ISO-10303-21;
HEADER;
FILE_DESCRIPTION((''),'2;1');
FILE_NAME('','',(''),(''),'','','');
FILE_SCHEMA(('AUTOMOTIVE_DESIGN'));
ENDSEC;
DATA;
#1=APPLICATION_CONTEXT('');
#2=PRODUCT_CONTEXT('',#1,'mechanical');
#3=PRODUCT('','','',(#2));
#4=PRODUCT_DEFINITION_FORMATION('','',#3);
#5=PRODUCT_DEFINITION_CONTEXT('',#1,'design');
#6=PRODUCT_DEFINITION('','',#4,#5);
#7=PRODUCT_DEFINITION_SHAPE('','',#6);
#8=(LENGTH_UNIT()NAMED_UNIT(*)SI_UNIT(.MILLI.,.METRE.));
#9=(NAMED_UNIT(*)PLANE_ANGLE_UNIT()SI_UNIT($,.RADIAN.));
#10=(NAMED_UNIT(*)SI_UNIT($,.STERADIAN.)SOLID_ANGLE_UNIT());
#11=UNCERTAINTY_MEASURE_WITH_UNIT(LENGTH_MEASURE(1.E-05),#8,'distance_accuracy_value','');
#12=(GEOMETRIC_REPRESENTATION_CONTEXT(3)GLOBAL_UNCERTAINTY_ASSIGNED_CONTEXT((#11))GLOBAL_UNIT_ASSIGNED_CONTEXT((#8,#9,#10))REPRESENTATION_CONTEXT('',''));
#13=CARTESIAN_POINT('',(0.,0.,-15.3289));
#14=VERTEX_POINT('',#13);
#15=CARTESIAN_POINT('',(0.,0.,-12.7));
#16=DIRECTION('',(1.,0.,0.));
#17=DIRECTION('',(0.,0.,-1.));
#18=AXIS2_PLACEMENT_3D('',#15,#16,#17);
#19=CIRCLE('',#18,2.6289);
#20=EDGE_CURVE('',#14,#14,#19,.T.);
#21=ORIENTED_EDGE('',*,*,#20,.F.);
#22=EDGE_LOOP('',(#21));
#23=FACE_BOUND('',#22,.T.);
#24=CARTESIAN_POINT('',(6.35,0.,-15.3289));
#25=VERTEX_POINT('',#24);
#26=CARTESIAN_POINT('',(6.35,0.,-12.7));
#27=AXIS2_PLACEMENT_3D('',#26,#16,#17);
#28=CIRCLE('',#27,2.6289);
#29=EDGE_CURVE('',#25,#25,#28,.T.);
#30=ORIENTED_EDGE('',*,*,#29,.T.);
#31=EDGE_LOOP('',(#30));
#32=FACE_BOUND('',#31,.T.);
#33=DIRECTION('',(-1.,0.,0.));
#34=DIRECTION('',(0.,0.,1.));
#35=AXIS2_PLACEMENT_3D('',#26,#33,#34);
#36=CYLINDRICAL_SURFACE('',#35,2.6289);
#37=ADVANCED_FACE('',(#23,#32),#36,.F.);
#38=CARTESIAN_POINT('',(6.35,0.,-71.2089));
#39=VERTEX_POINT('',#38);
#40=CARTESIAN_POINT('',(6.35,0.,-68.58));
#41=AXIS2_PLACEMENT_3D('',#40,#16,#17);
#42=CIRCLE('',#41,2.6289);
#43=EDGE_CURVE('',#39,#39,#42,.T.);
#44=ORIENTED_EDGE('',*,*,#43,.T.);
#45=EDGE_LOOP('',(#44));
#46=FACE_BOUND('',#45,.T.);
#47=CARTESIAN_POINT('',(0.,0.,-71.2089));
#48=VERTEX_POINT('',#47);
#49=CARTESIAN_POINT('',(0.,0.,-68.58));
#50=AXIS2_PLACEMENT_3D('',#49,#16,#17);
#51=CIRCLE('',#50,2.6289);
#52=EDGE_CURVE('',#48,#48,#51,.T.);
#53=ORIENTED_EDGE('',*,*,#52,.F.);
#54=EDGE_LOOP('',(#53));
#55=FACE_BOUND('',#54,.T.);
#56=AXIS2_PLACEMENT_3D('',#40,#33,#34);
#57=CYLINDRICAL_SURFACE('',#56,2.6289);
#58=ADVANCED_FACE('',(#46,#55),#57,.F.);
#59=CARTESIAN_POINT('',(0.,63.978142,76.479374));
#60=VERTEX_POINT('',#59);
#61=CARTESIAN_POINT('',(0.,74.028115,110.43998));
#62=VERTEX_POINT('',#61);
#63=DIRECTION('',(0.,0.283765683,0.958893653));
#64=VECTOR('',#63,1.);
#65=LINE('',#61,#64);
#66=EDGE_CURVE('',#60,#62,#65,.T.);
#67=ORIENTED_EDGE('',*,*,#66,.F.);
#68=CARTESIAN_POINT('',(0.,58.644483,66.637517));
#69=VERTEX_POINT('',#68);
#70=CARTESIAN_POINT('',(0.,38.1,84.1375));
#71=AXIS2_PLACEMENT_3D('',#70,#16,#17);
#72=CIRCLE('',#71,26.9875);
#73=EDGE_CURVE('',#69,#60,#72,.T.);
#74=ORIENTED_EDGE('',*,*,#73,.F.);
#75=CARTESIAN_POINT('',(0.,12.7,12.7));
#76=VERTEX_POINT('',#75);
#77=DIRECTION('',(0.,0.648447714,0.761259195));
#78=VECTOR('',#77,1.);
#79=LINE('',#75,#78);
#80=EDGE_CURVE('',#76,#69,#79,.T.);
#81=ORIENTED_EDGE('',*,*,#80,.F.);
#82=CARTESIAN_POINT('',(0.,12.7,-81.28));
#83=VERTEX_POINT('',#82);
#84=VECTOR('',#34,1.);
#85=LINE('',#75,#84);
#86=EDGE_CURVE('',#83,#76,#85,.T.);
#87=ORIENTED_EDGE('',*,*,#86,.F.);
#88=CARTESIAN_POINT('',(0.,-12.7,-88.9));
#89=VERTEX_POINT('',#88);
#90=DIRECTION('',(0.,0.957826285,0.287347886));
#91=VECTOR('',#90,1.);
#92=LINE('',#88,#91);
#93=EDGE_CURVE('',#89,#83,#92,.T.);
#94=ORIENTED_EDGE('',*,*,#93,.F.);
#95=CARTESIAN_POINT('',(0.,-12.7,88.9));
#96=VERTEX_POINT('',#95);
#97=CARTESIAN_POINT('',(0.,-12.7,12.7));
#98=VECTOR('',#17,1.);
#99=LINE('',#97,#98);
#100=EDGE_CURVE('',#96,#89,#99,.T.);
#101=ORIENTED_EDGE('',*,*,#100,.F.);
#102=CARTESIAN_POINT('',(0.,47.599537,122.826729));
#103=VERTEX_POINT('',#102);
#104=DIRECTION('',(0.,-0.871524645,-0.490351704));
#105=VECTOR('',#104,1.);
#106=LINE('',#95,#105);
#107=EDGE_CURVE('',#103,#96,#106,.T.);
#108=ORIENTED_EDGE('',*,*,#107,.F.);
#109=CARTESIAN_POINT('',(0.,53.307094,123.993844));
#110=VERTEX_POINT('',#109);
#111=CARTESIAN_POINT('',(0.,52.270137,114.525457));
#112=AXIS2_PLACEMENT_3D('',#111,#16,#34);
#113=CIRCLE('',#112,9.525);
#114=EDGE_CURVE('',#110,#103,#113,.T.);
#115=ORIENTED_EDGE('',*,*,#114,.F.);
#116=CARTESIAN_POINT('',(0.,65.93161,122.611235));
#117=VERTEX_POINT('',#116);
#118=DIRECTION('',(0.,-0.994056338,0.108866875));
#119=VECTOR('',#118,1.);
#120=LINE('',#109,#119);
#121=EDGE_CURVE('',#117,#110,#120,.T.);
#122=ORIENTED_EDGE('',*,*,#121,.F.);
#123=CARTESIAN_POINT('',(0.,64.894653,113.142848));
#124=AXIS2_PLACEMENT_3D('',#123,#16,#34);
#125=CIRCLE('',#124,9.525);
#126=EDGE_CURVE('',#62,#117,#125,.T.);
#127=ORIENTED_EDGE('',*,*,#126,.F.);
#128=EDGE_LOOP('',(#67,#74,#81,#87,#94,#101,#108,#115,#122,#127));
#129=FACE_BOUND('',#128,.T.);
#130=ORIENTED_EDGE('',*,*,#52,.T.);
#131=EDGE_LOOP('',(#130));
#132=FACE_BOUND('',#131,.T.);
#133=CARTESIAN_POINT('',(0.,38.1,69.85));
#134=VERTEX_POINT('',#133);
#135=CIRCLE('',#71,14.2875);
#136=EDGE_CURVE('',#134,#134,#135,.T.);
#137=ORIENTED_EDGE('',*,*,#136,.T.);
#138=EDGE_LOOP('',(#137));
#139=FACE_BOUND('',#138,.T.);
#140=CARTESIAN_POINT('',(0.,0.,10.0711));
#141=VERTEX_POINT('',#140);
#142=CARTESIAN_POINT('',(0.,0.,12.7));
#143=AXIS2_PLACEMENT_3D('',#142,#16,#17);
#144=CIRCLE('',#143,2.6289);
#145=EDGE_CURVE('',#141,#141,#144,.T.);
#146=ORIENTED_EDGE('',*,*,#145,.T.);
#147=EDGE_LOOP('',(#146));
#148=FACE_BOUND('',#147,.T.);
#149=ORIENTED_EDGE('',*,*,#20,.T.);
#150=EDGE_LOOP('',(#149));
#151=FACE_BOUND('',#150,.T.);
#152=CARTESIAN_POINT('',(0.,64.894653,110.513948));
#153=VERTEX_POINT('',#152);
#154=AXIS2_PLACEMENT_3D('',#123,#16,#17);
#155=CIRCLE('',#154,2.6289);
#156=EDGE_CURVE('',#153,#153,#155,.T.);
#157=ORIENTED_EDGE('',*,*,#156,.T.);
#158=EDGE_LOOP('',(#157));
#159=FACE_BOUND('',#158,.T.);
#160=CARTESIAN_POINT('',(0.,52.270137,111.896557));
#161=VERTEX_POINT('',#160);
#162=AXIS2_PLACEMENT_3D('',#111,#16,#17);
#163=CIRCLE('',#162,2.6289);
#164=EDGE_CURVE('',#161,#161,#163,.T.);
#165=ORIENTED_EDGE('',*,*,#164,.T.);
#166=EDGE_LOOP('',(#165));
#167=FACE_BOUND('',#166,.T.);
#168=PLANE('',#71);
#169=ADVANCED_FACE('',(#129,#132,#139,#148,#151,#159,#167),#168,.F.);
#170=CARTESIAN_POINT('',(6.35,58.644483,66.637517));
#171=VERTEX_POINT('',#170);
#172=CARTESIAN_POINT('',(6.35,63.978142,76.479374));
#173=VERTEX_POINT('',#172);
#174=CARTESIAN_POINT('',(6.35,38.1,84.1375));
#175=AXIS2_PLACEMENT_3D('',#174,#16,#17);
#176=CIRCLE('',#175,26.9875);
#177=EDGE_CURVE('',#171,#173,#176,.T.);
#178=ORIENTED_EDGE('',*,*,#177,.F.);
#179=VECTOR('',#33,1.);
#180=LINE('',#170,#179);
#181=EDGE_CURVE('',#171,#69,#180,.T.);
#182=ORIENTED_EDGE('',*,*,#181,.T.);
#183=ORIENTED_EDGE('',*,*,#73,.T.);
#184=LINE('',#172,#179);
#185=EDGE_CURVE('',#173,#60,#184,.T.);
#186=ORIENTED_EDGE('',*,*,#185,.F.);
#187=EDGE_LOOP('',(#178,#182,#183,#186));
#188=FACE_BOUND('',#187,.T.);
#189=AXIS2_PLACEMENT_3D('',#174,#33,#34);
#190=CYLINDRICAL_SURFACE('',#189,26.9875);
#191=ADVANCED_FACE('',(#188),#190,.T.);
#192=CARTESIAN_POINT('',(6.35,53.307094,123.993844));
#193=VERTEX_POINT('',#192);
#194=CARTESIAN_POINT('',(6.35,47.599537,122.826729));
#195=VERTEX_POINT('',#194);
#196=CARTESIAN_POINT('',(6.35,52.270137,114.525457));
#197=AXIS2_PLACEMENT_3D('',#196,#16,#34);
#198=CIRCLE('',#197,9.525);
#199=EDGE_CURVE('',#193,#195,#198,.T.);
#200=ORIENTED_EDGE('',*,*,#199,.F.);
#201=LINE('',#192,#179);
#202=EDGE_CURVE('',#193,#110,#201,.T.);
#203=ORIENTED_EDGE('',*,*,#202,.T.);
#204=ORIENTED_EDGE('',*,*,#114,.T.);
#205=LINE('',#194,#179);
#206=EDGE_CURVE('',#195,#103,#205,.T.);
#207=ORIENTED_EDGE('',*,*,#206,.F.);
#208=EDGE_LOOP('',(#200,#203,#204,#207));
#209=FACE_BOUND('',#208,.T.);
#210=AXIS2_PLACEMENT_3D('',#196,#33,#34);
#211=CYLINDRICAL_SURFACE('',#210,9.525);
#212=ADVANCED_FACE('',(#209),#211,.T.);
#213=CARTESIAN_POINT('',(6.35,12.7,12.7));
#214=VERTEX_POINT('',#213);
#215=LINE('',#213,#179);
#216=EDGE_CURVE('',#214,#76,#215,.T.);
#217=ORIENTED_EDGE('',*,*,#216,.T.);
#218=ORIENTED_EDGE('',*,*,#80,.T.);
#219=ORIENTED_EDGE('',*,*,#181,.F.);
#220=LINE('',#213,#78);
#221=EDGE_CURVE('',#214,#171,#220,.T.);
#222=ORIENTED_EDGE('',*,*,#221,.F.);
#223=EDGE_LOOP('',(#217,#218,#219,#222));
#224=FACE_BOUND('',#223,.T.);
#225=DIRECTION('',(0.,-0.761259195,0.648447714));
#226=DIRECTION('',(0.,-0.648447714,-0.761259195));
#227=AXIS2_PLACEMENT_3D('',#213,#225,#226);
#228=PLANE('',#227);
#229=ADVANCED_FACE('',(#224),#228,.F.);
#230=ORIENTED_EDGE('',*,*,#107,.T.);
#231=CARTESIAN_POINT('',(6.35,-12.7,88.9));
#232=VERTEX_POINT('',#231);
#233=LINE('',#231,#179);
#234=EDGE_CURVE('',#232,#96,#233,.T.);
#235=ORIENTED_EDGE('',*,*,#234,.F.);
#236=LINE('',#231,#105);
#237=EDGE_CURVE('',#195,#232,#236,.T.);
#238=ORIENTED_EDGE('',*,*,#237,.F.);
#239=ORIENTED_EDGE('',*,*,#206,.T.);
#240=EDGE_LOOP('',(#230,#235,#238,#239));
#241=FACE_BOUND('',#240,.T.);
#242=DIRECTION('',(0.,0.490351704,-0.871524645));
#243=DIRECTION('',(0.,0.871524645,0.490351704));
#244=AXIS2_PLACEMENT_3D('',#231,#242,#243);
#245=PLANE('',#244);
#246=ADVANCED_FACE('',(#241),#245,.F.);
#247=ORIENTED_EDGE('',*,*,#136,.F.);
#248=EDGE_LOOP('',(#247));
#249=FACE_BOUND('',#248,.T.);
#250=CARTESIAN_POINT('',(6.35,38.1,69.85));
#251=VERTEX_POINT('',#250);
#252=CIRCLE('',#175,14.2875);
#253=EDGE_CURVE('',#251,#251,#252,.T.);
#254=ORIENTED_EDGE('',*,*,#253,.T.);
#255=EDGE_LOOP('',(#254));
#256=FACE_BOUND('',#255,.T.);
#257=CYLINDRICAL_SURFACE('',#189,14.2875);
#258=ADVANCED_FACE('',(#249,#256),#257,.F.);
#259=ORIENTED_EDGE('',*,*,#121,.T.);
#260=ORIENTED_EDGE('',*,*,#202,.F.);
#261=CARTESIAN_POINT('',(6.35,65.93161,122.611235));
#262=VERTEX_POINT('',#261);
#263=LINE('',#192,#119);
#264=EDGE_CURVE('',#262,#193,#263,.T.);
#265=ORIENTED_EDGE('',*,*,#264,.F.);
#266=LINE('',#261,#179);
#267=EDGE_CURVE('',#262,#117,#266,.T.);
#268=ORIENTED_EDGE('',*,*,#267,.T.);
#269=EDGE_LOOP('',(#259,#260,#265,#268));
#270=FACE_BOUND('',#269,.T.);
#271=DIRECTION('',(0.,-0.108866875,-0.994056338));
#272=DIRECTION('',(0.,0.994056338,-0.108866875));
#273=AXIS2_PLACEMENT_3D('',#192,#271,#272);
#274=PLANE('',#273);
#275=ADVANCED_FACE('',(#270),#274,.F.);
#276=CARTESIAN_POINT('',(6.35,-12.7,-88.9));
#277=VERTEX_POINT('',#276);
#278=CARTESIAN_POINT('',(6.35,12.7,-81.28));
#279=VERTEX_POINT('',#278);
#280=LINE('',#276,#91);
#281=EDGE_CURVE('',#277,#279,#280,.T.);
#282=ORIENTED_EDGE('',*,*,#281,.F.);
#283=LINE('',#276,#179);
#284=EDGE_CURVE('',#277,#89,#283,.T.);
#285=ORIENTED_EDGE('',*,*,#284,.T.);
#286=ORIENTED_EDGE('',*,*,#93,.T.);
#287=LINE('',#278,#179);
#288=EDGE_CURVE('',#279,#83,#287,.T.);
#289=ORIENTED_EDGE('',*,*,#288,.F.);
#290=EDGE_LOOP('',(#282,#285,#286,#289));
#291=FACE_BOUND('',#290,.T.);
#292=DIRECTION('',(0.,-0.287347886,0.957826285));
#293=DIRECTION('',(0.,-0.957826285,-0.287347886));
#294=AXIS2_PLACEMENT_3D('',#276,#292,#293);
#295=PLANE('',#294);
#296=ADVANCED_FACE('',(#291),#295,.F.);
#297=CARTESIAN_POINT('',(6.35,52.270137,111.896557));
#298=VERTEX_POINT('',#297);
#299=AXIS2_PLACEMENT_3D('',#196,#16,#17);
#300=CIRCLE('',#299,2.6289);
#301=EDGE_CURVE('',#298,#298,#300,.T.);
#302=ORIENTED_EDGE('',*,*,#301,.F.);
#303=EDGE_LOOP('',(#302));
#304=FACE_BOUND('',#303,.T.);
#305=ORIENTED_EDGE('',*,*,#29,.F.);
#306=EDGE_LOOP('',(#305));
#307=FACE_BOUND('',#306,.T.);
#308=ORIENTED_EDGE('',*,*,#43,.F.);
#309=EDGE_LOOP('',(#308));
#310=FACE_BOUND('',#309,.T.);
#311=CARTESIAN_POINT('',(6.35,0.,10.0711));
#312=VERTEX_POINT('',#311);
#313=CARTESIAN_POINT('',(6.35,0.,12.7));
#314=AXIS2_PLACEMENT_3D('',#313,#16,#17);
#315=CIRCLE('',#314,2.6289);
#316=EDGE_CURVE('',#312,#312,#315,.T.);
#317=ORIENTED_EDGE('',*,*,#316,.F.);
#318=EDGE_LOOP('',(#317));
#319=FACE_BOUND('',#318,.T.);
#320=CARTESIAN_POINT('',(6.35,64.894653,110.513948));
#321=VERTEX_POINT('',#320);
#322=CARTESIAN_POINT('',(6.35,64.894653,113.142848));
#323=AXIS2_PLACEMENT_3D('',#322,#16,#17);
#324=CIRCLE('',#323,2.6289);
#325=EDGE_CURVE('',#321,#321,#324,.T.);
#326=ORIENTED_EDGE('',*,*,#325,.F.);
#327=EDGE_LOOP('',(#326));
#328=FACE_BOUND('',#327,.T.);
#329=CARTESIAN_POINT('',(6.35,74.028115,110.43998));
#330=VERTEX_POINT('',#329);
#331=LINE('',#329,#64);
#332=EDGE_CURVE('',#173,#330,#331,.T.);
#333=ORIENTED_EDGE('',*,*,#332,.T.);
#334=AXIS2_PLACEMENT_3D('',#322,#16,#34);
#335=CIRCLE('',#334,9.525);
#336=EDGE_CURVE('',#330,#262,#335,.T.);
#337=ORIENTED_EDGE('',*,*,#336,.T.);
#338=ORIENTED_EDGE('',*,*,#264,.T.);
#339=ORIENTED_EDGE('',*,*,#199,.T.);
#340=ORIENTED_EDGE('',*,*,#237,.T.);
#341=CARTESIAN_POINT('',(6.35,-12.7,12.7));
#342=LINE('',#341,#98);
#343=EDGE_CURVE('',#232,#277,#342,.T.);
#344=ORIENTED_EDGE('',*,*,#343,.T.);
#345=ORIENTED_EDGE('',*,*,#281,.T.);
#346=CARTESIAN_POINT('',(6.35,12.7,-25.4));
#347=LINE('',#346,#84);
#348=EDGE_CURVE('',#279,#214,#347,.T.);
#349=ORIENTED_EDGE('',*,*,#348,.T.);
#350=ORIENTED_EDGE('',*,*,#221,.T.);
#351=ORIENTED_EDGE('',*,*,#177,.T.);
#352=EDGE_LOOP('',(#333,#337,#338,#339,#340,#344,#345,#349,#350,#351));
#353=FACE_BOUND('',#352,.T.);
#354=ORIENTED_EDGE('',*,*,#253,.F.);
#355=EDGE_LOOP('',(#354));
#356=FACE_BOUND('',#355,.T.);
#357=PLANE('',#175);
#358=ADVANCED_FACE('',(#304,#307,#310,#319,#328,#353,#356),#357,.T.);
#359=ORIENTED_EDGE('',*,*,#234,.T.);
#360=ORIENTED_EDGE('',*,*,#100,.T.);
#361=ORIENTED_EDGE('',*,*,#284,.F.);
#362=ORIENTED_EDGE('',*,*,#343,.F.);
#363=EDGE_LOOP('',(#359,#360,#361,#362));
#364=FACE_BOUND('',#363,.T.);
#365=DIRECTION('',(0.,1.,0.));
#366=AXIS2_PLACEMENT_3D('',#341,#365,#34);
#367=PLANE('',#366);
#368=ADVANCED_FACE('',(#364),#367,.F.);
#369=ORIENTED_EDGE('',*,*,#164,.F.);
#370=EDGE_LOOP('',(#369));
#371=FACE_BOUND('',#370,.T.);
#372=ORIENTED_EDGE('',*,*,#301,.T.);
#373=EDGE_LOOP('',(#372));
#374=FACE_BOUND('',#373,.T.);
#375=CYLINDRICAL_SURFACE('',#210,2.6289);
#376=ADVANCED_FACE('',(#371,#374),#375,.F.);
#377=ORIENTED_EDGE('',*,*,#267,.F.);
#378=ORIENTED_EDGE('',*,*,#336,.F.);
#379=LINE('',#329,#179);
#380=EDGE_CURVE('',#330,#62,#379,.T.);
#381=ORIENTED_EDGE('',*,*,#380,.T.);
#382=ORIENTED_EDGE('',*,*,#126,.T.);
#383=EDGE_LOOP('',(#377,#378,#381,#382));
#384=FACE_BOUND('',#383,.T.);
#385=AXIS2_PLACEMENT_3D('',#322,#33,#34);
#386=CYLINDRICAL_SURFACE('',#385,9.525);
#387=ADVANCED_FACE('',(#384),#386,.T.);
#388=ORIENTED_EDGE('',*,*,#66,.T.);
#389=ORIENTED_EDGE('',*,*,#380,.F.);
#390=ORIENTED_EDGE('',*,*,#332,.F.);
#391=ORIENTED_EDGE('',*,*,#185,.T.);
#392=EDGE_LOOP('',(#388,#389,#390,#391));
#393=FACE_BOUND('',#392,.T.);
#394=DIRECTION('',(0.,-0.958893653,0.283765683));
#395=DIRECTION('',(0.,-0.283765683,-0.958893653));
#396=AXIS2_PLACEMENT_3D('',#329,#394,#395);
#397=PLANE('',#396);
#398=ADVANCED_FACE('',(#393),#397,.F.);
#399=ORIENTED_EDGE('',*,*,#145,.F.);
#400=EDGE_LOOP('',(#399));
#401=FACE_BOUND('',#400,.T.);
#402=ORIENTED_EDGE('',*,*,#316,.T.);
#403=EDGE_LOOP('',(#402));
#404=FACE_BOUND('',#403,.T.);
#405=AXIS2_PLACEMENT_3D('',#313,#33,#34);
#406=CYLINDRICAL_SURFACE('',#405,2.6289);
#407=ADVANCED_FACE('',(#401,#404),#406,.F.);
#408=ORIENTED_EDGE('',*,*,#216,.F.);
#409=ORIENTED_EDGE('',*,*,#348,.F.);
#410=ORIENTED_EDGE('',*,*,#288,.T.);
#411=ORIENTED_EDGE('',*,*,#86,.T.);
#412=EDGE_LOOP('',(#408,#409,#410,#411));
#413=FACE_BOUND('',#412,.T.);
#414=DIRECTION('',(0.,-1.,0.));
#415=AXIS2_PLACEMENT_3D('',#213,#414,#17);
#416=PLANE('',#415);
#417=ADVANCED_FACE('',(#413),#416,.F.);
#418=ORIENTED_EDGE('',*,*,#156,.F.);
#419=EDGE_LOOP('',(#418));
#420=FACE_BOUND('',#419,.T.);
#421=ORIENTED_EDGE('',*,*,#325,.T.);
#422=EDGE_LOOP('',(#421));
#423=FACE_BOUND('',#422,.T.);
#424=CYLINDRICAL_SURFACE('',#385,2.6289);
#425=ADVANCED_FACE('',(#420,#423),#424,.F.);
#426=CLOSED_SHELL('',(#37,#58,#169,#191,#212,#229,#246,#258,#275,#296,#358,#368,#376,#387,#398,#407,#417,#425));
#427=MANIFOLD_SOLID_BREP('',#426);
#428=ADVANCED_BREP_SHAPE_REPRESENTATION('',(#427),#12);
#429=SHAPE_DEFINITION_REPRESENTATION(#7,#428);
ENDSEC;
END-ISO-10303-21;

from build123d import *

# Parameters (mm, degrees)
SKETCH1_R           = 14.2875
SKETCH1_R_2         = 2.6289
BOSS_EXTRUDE1_DEPTH = 6.35


with BuildPart() as part:
    # Sketch1 → Boss-Extrude1 (new body)
    with BuildSketch(Plane(origin=(0, 0, 0), x_dir=(0, 0, -1), z_dir=(1, 0, 0))):
        with BuildLine():
            Line((-12.7, -12.7), (-88.9, -12.7))
            Line((-88.9, -12.7), (-122.826729432, 47.599537172))
            ThreePointArc((-122.826729432, 47.599537172), (-123.857351192, 50.361897296), (-123.993843813, 53.307094137))
            Line((-123.993843813, 53.307094137), (-122.611234502, 65.931609632))
            ThreePointArc((-122.611234502, 65.931609632), (-118.418396066, 72.825240039), (-110.43997975, 74.028114691))
            Line((-110.43997975, 74.028114691), (-76.479373631, 63.978142452))
            ThreePointArc((-76.479373631, 63.978142452), (-71.278861085, 61.827211414), (-66.637517322, 58.644482532))
            Line((-66.637517322, 58.644482532), (-12.7, 12.7))
            Line((-12.7, 12.7), (25.4, 12.7))
            Line((25.4, 12.7), (81.28, 12.7))
            Line((81.28, 12.7), (88.9, -12.7))
            Line((88.9, -12.7), (25.4, -12.7))
            Line((25.4, -12.7), (-12.7, -12.7))
        make_face()
        with Locations((-84.1375, 38.1)):
            Circle(SKETCH1_R, mode=Mode.SUBTRACT)
        with Locations((-12.7, 0)):
            Circle(SKETCH1_R_2, mode=Mode.SUBTRACT)
        with Locations((12.7, 0)):
            Circle(SKETCH1_R_2, mode=Mode.SUBTRACT)
        with Locations((68.58, 0)):
            Circle(SKETCH1_R_2, mode=Mode.SUBTRACT)
        with Locations((-113.142847881, 64.894652649)):
            Circle(SKETCH1_R_2, mode=Mode.SUBTRACT)
        with Locations((-114.525457191, 52.270137154)):
            Circle(SKETCH1_R_2, mode=Mode.SUBTRACT)
    extrude(amount=BOSS_EXTRUDE1_DEPTH)


solid = part.part
